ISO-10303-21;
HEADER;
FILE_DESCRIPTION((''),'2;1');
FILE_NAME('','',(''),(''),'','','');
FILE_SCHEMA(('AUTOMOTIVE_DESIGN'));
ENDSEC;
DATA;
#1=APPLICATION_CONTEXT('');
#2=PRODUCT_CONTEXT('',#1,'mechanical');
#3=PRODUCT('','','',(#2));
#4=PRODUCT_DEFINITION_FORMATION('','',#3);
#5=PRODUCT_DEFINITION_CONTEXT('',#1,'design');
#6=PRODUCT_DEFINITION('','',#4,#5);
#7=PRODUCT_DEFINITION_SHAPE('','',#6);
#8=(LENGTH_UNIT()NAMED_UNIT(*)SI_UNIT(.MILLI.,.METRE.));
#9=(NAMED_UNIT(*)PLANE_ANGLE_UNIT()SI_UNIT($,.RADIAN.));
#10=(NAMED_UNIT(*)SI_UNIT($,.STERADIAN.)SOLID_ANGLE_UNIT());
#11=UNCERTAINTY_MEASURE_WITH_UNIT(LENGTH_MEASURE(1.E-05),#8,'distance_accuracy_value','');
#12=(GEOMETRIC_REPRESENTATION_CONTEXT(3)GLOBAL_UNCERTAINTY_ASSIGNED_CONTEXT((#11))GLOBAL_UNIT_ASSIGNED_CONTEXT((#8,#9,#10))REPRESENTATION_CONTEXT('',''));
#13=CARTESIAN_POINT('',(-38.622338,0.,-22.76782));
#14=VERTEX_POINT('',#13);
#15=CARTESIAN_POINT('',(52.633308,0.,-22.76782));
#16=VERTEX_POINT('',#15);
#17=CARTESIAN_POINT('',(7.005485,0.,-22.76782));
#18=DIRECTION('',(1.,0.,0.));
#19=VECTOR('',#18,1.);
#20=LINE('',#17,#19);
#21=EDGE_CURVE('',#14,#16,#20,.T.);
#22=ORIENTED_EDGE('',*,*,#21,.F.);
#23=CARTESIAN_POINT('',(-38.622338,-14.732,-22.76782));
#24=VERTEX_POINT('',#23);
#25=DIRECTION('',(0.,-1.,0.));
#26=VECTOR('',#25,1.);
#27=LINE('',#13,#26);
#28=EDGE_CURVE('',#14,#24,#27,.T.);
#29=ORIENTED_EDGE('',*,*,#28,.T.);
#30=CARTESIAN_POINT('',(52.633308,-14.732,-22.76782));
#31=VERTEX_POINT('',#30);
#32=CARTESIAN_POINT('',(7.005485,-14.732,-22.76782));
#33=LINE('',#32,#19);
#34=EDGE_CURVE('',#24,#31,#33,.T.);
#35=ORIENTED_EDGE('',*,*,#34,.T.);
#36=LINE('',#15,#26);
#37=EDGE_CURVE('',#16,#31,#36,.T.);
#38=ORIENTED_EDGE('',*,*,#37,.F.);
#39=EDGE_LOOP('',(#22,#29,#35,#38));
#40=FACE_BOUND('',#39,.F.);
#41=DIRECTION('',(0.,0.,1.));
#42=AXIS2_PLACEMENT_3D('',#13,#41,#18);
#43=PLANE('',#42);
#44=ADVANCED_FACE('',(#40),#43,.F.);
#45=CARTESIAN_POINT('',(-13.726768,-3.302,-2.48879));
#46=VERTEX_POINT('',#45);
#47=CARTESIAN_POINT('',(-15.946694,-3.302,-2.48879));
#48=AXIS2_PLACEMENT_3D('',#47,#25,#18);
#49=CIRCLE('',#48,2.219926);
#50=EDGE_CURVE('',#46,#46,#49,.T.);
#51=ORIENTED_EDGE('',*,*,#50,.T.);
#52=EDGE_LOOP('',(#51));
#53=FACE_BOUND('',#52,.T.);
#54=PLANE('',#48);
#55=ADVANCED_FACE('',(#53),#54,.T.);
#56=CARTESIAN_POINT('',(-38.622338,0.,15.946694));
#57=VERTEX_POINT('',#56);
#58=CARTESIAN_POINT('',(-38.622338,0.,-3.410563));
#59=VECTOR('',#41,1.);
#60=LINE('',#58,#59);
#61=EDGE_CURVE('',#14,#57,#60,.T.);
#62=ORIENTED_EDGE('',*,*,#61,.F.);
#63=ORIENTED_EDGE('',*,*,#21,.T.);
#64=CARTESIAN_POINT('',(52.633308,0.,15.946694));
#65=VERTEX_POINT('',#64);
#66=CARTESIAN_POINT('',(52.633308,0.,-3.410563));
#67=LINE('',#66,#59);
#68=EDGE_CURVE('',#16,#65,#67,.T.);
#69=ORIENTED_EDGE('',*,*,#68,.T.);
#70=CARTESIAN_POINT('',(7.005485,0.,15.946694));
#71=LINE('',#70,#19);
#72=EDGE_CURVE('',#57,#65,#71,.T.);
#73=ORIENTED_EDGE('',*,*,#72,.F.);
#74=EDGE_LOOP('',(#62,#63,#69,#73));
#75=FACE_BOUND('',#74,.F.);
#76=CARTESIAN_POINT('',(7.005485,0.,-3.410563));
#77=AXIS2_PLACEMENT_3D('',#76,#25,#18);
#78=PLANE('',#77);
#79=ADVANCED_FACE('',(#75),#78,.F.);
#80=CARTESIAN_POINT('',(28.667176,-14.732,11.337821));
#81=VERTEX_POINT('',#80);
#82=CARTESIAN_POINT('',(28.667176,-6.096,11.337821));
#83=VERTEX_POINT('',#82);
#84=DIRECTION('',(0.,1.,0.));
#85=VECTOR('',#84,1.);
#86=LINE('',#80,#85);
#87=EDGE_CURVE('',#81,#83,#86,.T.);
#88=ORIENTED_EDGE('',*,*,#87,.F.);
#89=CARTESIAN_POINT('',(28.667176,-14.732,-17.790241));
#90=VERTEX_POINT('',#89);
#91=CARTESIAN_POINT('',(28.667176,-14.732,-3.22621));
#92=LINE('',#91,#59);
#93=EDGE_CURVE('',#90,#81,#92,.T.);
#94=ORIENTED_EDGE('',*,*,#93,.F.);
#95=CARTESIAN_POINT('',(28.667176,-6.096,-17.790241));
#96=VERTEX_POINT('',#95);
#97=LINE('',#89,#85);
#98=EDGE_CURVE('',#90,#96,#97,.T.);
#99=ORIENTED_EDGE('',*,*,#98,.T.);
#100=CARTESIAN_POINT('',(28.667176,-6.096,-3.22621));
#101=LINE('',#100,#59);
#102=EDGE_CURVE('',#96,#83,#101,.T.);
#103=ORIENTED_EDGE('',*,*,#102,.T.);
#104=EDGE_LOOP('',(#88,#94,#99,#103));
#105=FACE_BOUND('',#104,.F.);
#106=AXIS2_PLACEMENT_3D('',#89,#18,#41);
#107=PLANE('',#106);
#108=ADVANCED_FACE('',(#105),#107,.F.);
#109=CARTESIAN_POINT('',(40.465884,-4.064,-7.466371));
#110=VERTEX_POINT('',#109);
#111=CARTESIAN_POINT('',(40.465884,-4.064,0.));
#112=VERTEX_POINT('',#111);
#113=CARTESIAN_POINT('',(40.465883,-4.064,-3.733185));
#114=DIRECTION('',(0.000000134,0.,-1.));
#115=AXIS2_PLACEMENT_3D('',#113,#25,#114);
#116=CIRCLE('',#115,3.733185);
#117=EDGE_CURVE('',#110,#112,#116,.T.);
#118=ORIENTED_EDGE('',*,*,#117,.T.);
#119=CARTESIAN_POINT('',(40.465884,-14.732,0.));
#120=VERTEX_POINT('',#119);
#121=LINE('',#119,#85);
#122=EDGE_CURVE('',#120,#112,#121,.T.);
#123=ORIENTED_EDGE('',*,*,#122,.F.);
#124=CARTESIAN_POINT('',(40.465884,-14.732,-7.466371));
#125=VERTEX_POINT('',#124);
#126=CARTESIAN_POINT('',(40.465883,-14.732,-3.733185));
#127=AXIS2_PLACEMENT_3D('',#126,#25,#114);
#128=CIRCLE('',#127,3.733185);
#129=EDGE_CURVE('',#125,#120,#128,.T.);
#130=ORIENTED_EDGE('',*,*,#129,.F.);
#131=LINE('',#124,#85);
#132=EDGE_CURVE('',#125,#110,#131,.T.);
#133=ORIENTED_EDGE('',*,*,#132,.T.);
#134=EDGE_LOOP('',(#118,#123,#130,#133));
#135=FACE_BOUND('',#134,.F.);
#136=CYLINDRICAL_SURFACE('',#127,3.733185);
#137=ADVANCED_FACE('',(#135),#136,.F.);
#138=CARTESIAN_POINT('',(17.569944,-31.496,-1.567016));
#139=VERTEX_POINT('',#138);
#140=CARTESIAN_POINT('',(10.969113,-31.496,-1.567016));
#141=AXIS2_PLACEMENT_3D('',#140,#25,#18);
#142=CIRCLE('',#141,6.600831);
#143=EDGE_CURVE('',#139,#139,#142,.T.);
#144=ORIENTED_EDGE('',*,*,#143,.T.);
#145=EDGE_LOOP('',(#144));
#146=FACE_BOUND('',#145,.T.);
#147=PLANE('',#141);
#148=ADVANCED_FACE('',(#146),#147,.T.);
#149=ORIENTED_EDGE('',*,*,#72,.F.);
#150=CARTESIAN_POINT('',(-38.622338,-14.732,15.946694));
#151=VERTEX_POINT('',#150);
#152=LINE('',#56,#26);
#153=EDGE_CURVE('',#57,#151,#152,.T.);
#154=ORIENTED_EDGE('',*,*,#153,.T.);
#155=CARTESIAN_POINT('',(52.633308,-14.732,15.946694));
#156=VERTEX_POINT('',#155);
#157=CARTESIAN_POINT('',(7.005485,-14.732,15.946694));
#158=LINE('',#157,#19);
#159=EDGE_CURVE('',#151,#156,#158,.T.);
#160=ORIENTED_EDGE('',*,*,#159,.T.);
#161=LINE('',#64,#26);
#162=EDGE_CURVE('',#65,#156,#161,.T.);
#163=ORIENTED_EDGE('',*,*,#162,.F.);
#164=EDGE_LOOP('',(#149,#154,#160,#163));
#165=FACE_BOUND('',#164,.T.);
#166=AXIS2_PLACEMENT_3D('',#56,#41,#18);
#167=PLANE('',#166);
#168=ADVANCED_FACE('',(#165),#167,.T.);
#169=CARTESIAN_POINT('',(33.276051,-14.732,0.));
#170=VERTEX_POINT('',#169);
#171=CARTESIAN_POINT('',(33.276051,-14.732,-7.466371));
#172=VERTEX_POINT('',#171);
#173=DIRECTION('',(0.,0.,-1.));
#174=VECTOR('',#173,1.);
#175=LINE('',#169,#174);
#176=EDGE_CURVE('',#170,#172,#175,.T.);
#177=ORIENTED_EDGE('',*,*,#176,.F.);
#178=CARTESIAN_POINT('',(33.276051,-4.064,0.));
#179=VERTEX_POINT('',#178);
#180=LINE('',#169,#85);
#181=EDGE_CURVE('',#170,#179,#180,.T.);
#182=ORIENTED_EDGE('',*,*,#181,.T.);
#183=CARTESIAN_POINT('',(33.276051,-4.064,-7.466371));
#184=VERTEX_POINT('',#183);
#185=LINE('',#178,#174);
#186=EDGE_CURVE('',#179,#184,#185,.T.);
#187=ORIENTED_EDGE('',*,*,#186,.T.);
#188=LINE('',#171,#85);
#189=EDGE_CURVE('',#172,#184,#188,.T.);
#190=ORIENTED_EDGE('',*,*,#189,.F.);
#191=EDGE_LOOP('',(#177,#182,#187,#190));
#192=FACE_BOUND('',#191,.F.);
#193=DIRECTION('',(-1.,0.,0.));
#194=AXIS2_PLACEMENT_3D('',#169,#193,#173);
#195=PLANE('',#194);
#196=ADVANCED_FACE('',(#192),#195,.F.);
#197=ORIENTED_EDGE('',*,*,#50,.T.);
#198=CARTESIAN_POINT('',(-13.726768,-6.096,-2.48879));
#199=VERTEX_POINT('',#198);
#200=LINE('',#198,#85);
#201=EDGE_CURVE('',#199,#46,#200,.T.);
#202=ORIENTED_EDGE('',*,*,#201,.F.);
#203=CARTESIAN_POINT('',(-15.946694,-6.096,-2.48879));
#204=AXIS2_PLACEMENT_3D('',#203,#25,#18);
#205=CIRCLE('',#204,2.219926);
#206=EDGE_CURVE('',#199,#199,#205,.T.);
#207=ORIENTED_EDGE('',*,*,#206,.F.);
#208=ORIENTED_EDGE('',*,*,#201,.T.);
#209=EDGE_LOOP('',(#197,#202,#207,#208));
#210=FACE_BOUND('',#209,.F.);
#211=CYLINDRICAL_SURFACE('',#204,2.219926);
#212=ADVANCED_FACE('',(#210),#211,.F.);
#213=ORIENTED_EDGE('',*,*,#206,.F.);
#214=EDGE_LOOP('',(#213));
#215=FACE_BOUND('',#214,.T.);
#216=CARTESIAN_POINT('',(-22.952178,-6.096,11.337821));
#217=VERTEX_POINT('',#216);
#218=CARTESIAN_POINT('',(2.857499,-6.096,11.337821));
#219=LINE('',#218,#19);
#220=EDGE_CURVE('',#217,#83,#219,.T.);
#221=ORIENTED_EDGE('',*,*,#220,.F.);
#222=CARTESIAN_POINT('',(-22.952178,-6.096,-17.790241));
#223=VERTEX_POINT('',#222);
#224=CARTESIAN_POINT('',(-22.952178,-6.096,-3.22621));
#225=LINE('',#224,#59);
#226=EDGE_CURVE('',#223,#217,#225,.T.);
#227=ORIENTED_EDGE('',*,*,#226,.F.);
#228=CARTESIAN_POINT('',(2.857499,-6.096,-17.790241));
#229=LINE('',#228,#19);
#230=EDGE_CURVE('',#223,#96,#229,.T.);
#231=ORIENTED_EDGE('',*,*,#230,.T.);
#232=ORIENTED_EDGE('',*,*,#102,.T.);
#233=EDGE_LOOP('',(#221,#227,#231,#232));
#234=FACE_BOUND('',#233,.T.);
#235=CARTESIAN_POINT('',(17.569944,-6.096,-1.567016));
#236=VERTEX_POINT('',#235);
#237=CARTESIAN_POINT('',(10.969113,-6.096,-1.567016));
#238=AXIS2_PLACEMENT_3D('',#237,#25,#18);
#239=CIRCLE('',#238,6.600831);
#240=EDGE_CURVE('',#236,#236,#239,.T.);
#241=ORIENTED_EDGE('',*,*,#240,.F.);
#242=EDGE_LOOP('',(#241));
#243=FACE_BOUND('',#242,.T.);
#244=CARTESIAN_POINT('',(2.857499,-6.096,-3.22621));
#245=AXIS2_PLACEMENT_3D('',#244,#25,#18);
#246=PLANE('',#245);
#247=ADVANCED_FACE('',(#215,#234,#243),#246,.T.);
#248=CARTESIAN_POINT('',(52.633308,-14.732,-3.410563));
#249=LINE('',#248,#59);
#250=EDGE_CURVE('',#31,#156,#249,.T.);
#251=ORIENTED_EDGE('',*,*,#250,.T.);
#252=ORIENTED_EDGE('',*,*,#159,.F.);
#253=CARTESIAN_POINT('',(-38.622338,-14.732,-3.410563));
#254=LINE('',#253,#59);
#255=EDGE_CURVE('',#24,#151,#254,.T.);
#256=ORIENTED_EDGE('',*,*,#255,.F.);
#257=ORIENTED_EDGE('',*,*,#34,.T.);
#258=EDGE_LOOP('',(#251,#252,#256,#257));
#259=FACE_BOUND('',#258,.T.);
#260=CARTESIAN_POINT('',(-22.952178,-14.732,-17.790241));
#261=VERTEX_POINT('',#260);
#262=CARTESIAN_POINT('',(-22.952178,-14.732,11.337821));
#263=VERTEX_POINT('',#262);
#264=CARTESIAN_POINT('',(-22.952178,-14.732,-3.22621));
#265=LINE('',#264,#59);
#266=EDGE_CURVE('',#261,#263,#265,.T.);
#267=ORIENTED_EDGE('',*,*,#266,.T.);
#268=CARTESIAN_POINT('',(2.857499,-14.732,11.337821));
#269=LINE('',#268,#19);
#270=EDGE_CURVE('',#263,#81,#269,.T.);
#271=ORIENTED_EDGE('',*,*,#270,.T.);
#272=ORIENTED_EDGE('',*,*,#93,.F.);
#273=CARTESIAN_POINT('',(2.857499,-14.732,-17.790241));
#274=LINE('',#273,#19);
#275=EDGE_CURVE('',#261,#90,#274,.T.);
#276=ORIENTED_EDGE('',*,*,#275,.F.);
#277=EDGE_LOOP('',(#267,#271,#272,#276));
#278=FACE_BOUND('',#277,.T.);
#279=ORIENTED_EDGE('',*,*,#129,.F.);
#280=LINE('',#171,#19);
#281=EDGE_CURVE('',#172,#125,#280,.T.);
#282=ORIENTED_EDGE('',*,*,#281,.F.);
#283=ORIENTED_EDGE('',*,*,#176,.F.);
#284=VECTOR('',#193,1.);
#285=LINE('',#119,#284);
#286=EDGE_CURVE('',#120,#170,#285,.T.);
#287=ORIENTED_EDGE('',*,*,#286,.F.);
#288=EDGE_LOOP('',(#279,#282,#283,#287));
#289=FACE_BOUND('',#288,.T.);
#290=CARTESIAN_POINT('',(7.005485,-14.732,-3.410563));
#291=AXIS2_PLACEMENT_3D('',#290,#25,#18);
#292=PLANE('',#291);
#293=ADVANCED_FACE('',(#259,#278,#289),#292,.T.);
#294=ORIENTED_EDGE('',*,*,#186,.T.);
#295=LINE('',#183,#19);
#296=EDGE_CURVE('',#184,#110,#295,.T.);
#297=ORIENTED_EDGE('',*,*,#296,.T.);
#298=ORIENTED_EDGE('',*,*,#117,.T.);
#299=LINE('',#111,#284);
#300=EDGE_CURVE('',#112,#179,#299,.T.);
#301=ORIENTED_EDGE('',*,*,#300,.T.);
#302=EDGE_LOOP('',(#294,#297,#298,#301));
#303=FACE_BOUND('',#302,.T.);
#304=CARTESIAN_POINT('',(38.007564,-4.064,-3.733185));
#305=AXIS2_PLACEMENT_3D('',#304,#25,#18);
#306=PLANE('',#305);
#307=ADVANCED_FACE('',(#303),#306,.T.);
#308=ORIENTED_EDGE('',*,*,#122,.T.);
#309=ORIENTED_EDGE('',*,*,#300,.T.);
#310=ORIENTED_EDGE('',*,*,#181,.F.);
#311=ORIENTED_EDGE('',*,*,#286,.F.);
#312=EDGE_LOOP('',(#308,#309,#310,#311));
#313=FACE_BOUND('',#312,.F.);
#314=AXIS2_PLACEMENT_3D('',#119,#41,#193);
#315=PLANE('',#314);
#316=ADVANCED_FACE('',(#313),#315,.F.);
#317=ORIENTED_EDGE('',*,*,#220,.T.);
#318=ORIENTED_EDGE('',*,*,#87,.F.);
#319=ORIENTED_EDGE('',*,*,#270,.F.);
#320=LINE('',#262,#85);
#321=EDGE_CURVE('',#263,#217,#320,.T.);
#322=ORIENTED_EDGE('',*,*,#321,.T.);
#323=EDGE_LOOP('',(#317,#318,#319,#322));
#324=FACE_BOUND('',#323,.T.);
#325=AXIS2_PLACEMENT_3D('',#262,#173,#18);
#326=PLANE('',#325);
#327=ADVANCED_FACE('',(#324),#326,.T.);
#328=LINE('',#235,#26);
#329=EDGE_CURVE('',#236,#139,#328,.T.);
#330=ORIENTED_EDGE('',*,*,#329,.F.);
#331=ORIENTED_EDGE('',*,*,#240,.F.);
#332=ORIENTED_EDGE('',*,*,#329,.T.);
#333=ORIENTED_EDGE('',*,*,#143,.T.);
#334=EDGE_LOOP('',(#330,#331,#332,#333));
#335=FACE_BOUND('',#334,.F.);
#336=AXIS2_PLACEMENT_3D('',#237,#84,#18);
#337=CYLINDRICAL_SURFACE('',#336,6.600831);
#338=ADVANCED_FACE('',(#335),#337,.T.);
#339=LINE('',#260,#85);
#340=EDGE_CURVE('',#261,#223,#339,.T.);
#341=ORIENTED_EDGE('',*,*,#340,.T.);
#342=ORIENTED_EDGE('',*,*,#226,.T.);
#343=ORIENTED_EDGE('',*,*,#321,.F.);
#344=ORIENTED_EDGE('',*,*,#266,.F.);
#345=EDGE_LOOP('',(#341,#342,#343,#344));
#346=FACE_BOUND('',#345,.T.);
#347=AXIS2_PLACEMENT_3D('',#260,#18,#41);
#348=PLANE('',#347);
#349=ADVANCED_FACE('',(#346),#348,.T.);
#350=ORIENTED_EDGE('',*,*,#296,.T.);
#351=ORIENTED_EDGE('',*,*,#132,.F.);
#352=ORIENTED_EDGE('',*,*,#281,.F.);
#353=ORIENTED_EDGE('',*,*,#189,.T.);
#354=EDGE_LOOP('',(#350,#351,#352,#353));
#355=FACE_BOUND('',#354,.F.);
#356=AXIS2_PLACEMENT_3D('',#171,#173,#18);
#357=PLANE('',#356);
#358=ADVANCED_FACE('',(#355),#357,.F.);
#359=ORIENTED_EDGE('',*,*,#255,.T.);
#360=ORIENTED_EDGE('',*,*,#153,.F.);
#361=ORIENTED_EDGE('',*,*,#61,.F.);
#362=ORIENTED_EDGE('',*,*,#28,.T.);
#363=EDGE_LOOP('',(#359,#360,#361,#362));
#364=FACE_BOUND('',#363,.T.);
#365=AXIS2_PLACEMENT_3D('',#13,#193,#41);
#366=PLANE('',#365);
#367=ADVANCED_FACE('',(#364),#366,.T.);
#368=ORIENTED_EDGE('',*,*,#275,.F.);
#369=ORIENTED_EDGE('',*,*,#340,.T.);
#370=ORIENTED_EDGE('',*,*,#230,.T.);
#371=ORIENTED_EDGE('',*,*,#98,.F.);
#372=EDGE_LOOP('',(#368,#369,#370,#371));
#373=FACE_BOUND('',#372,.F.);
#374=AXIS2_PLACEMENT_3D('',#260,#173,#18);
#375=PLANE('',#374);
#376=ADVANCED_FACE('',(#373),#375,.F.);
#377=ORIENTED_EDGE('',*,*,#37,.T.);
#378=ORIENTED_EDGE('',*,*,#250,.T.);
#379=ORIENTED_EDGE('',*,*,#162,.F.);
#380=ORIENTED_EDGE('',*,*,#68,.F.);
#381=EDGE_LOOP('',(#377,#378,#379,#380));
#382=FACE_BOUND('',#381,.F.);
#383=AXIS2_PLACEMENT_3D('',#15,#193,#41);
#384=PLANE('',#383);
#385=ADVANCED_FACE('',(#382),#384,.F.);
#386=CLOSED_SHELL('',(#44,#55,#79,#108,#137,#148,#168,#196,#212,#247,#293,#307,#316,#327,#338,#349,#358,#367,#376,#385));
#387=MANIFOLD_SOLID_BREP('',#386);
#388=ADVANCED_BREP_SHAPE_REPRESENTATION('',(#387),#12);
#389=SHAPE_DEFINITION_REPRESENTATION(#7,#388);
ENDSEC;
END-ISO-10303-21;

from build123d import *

# Parameters (mm, degrees)
F0_W     = 91.255646
F0_H     = 38.714515
F1_DEPTH = 14.732
F2_W     = 51.619354
F2_H     = 29.128062
F3_DEPTH = 8.636
F4_R     = 2.219926
F5_DEPTH = 2.794
F7_DEPTH = 10.668
F8_R     = 6.600831
F9_DEPTH = 25.4


with BuildPart() as f1:
    # F0 (on Front) → F1 (new body)
    with BuildSketch(Plane.XZ):
        with Locations((7.005485, -3.410563)):
            Rectangle(F0_W, F0_H)
    extrude(amount=F1_DEPTH)

    # F2 (on face) → F3 (cut)
    with BuildSketch(Plane.XZ.offset(14.732)):
        with Locations((2.857499, -3.22621)):
            Rectangle(F2_W, F2_H)
    extrude(amount=-F3_DEPTH, mode=Mode.SUBTRACT)

    # F4 (on face) → F5 (cut)
    with BuildSketch(Plane.XZ.offset(6.096)):
        with Locations((-15.946694, -2.48879)):
            Circle(F4_R)
    extrude(amount=-F5_DEPTH, mode=Mode.SUBTRACT)

    # F6 (on face) → F7 (cut)
    with BuildSketch(Plane.XZ.offset(14.732)):
        with BuildLine():
            Line((33.276051, 0), (33.276051, -3.22621))
            Line((33.276051, -3.22621), (33.276051, -7.466371))
            Line((33.276051, -7.466371), (40.465884, -7.466371))
            ThreePointArc((40.465884, -7.466371), (44.199069, -3.733185), (40.465884, 0))
            Line((40.465884, 0), (33.276051, 0))
        make_face()
    extrude(amount=-F7_DEPTH, mode=Mode.SUBTRACT)

    # F8 (on face) → F9 (join)
    with BuildSketch(Plane.XZ.offset(6.096)):
        with Locations((10.969113, -1.567016)):
            Circle(F8_R)
    extrude(amount=F9_DEPTH)


solid = f1.part
